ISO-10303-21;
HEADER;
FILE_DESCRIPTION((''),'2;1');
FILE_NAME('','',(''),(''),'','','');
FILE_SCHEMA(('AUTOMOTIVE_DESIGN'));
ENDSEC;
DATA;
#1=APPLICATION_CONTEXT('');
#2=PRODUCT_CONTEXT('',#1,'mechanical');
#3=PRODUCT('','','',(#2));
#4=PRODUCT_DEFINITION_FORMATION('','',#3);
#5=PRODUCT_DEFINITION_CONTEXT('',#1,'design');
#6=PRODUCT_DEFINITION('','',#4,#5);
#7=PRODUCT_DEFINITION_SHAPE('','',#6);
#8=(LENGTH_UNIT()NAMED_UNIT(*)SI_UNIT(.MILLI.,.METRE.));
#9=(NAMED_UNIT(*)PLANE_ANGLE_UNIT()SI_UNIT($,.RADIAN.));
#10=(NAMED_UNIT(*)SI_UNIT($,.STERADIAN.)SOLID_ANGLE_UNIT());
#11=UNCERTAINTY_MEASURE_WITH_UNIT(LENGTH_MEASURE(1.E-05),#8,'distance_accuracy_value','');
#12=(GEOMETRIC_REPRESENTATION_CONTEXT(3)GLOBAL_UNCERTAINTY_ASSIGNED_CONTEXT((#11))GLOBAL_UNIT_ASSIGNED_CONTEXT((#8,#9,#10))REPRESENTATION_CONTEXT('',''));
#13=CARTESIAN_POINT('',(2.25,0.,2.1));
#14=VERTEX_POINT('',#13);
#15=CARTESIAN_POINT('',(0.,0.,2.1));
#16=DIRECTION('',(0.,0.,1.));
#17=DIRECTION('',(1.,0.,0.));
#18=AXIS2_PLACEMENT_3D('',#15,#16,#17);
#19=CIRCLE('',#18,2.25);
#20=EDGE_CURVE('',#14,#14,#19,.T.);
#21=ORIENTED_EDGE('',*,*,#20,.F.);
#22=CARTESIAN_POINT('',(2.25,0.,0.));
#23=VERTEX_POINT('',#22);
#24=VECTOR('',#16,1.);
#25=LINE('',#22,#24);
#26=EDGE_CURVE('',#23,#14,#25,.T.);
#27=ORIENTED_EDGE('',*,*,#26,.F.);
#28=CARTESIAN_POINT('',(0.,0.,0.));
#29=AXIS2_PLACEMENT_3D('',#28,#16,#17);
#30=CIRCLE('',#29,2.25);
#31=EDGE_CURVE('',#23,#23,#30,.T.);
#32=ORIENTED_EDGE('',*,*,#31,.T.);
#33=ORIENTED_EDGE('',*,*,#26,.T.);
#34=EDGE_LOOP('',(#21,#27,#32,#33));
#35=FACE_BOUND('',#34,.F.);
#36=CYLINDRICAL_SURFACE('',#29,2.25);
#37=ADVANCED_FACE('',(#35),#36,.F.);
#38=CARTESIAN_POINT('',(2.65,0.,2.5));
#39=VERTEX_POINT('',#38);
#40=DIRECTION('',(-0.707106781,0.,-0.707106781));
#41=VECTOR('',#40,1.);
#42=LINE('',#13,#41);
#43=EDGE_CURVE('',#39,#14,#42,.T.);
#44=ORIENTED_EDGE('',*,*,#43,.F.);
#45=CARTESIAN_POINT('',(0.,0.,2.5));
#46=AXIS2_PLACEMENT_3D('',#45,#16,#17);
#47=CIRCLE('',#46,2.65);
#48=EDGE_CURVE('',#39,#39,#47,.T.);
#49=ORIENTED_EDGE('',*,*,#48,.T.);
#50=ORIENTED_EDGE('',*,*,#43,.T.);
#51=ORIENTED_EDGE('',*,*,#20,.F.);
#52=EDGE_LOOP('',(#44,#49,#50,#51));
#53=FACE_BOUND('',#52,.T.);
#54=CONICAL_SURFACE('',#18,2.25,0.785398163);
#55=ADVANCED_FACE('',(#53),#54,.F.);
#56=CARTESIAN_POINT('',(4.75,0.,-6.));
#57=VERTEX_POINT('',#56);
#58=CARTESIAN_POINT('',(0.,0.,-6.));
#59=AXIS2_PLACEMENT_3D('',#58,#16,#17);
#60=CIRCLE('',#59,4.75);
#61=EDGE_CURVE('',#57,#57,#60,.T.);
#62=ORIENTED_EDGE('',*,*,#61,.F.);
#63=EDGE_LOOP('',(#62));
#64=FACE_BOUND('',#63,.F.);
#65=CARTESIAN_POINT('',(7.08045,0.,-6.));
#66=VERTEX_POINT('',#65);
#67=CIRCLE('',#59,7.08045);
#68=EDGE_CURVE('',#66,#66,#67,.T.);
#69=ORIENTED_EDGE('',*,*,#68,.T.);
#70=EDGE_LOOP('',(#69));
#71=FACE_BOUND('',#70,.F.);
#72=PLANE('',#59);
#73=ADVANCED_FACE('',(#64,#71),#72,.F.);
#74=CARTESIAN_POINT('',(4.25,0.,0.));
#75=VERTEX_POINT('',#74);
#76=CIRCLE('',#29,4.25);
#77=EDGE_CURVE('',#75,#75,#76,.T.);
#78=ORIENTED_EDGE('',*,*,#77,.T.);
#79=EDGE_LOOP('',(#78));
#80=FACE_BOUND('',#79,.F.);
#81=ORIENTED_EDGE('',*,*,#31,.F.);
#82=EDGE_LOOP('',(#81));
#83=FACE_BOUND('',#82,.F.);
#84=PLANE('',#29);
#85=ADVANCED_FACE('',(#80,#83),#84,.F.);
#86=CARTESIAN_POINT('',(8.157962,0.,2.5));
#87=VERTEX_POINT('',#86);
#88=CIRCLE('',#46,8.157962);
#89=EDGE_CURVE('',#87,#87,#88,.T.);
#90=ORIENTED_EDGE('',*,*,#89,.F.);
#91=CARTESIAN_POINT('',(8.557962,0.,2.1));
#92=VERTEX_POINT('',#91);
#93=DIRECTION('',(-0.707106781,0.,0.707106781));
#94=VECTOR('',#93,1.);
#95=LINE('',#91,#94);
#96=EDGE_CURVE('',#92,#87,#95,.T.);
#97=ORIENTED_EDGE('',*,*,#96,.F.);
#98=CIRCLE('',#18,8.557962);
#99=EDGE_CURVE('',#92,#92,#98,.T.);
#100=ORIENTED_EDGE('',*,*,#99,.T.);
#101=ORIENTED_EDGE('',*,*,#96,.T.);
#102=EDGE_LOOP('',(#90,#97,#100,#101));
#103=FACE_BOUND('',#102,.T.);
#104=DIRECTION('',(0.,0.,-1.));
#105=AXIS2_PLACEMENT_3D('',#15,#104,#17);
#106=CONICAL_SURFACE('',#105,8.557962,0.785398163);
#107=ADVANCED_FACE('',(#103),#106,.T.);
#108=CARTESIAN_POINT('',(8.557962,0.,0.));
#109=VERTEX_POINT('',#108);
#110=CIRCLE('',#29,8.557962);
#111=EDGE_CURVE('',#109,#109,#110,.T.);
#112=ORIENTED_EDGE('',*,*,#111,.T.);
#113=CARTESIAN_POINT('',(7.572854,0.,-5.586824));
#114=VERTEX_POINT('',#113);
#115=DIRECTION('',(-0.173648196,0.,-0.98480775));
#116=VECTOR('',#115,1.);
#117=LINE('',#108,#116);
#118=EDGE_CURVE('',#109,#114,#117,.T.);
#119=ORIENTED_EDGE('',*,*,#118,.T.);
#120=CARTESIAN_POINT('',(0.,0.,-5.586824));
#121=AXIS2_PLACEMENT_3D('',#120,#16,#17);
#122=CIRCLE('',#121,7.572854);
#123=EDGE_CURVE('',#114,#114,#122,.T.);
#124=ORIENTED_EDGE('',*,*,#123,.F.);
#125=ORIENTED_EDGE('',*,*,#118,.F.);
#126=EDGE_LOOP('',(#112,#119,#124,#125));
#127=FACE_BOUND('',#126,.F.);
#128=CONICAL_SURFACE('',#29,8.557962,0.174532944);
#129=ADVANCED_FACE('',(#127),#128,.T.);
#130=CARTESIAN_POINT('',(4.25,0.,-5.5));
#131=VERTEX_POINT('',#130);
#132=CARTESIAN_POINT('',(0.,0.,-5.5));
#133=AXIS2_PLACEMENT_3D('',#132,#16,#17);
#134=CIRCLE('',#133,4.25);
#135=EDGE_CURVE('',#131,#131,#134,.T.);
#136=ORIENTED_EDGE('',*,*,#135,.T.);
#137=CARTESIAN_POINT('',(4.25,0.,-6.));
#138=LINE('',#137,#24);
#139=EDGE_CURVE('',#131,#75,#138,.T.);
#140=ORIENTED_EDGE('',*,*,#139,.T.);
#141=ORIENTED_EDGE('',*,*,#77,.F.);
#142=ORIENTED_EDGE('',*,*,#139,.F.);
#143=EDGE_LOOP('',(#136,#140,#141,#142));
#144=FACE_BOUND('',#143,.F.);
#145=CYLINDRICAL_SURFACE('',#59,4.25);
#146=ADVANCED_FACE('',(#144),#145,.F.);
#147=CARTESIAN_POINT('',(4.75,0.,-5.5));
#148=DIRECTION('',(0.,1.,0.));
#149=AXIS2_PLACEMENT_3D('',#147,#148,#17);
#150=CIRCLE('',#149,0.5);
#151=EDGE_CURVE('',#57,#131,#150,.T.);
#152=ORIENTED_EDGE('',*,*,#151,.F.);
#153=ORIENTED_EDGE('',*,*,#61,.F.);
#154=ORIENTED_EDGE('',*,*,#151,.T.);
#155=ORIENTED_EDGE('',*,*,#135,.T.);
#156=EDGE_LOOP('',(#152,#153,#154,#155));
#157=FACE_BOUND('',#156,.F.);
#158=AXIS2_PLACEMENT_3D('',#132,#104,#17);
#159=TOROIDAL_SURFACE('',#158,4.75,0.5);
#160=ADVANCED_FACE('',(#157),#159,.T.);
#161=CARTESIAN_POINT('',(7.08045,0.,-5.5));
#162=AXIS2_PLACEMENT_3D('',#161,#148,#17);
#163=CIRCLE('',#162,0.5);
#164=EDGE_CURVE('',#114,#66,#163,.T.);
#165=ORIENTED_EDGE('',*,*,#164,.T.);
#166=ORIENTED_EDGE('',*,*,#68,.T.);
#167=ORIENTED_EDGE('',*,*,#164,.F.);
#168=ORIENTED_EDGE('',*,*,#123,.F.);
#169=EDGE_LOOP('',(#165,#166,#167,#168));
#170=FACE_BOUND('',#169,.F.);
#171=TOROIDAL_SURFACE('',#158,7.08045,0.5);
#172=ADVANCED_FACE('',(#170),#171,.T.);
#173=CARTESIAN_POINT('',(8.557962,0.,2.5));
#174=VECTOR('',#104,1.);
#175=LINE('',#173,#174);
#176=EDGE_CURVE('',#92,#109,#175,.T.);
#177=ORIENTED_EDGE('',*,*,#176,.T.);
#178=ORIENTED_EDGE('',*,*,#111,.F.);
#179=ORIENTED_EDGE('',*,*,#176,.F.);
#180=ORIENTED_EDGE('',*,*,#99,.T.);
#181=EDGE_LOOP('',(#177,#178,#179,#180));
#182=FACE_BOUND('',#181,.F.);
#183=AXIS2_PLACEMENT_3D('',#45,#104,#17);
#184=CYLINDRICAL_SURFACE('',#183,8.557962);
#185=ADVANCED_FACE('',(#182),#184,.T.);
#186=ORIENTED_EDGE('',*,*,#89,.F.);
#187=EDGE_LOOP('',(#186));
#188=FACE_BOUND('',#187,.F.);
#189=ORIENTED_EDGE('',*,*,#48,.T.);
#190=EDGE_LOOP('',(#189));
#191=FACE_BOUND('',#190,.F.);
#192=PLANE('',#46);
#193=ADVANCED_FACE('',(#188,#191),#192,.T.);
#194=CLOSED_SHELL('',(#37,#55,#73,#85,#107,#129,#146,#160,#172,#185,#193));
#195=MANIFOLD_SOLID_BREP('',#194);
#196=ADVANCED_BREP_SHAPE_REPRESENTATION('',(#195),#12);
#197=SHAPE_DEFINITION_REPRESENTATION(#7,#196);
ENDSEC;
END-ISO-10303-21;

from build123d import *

# Parameters (mm, degrees)
FILLET_R     = 0.5
CHAMFER_SIZE = 0.4


with BuildPart() as part:
    # Sketch → Revolution (revolve)
    with BuildSketch(Plane.XZ):
        Polygon((2.25, 0), (2.25, 2.5), (8.557962, 2.5), (8.557962, 0), (7.5, -6), (4.25, -6), (4.25, 0), align=None)
    revolve(axis=Axis((0, 0, 0), (0, 0, 1)))

    # Fillet
    fillet_edges = [part.edges().sort_by_distance(p)[0] for p in [
        (-7.5, 0, -6),
        (-4.25, 0, -6),
    ]]
    fillet(fillet_edges, radius=FILLET_R)

    # Chamfer
    chamfer_edges = [part.edges().sort_by_distance(p)[0] for p in [
        (-2.25, 0, 2.5),
        (-8.557962, 0, 2.5),
    ]]
    chamfer(chamfer_edges, length=CHAMFER_SIZE)


solid = part.part
